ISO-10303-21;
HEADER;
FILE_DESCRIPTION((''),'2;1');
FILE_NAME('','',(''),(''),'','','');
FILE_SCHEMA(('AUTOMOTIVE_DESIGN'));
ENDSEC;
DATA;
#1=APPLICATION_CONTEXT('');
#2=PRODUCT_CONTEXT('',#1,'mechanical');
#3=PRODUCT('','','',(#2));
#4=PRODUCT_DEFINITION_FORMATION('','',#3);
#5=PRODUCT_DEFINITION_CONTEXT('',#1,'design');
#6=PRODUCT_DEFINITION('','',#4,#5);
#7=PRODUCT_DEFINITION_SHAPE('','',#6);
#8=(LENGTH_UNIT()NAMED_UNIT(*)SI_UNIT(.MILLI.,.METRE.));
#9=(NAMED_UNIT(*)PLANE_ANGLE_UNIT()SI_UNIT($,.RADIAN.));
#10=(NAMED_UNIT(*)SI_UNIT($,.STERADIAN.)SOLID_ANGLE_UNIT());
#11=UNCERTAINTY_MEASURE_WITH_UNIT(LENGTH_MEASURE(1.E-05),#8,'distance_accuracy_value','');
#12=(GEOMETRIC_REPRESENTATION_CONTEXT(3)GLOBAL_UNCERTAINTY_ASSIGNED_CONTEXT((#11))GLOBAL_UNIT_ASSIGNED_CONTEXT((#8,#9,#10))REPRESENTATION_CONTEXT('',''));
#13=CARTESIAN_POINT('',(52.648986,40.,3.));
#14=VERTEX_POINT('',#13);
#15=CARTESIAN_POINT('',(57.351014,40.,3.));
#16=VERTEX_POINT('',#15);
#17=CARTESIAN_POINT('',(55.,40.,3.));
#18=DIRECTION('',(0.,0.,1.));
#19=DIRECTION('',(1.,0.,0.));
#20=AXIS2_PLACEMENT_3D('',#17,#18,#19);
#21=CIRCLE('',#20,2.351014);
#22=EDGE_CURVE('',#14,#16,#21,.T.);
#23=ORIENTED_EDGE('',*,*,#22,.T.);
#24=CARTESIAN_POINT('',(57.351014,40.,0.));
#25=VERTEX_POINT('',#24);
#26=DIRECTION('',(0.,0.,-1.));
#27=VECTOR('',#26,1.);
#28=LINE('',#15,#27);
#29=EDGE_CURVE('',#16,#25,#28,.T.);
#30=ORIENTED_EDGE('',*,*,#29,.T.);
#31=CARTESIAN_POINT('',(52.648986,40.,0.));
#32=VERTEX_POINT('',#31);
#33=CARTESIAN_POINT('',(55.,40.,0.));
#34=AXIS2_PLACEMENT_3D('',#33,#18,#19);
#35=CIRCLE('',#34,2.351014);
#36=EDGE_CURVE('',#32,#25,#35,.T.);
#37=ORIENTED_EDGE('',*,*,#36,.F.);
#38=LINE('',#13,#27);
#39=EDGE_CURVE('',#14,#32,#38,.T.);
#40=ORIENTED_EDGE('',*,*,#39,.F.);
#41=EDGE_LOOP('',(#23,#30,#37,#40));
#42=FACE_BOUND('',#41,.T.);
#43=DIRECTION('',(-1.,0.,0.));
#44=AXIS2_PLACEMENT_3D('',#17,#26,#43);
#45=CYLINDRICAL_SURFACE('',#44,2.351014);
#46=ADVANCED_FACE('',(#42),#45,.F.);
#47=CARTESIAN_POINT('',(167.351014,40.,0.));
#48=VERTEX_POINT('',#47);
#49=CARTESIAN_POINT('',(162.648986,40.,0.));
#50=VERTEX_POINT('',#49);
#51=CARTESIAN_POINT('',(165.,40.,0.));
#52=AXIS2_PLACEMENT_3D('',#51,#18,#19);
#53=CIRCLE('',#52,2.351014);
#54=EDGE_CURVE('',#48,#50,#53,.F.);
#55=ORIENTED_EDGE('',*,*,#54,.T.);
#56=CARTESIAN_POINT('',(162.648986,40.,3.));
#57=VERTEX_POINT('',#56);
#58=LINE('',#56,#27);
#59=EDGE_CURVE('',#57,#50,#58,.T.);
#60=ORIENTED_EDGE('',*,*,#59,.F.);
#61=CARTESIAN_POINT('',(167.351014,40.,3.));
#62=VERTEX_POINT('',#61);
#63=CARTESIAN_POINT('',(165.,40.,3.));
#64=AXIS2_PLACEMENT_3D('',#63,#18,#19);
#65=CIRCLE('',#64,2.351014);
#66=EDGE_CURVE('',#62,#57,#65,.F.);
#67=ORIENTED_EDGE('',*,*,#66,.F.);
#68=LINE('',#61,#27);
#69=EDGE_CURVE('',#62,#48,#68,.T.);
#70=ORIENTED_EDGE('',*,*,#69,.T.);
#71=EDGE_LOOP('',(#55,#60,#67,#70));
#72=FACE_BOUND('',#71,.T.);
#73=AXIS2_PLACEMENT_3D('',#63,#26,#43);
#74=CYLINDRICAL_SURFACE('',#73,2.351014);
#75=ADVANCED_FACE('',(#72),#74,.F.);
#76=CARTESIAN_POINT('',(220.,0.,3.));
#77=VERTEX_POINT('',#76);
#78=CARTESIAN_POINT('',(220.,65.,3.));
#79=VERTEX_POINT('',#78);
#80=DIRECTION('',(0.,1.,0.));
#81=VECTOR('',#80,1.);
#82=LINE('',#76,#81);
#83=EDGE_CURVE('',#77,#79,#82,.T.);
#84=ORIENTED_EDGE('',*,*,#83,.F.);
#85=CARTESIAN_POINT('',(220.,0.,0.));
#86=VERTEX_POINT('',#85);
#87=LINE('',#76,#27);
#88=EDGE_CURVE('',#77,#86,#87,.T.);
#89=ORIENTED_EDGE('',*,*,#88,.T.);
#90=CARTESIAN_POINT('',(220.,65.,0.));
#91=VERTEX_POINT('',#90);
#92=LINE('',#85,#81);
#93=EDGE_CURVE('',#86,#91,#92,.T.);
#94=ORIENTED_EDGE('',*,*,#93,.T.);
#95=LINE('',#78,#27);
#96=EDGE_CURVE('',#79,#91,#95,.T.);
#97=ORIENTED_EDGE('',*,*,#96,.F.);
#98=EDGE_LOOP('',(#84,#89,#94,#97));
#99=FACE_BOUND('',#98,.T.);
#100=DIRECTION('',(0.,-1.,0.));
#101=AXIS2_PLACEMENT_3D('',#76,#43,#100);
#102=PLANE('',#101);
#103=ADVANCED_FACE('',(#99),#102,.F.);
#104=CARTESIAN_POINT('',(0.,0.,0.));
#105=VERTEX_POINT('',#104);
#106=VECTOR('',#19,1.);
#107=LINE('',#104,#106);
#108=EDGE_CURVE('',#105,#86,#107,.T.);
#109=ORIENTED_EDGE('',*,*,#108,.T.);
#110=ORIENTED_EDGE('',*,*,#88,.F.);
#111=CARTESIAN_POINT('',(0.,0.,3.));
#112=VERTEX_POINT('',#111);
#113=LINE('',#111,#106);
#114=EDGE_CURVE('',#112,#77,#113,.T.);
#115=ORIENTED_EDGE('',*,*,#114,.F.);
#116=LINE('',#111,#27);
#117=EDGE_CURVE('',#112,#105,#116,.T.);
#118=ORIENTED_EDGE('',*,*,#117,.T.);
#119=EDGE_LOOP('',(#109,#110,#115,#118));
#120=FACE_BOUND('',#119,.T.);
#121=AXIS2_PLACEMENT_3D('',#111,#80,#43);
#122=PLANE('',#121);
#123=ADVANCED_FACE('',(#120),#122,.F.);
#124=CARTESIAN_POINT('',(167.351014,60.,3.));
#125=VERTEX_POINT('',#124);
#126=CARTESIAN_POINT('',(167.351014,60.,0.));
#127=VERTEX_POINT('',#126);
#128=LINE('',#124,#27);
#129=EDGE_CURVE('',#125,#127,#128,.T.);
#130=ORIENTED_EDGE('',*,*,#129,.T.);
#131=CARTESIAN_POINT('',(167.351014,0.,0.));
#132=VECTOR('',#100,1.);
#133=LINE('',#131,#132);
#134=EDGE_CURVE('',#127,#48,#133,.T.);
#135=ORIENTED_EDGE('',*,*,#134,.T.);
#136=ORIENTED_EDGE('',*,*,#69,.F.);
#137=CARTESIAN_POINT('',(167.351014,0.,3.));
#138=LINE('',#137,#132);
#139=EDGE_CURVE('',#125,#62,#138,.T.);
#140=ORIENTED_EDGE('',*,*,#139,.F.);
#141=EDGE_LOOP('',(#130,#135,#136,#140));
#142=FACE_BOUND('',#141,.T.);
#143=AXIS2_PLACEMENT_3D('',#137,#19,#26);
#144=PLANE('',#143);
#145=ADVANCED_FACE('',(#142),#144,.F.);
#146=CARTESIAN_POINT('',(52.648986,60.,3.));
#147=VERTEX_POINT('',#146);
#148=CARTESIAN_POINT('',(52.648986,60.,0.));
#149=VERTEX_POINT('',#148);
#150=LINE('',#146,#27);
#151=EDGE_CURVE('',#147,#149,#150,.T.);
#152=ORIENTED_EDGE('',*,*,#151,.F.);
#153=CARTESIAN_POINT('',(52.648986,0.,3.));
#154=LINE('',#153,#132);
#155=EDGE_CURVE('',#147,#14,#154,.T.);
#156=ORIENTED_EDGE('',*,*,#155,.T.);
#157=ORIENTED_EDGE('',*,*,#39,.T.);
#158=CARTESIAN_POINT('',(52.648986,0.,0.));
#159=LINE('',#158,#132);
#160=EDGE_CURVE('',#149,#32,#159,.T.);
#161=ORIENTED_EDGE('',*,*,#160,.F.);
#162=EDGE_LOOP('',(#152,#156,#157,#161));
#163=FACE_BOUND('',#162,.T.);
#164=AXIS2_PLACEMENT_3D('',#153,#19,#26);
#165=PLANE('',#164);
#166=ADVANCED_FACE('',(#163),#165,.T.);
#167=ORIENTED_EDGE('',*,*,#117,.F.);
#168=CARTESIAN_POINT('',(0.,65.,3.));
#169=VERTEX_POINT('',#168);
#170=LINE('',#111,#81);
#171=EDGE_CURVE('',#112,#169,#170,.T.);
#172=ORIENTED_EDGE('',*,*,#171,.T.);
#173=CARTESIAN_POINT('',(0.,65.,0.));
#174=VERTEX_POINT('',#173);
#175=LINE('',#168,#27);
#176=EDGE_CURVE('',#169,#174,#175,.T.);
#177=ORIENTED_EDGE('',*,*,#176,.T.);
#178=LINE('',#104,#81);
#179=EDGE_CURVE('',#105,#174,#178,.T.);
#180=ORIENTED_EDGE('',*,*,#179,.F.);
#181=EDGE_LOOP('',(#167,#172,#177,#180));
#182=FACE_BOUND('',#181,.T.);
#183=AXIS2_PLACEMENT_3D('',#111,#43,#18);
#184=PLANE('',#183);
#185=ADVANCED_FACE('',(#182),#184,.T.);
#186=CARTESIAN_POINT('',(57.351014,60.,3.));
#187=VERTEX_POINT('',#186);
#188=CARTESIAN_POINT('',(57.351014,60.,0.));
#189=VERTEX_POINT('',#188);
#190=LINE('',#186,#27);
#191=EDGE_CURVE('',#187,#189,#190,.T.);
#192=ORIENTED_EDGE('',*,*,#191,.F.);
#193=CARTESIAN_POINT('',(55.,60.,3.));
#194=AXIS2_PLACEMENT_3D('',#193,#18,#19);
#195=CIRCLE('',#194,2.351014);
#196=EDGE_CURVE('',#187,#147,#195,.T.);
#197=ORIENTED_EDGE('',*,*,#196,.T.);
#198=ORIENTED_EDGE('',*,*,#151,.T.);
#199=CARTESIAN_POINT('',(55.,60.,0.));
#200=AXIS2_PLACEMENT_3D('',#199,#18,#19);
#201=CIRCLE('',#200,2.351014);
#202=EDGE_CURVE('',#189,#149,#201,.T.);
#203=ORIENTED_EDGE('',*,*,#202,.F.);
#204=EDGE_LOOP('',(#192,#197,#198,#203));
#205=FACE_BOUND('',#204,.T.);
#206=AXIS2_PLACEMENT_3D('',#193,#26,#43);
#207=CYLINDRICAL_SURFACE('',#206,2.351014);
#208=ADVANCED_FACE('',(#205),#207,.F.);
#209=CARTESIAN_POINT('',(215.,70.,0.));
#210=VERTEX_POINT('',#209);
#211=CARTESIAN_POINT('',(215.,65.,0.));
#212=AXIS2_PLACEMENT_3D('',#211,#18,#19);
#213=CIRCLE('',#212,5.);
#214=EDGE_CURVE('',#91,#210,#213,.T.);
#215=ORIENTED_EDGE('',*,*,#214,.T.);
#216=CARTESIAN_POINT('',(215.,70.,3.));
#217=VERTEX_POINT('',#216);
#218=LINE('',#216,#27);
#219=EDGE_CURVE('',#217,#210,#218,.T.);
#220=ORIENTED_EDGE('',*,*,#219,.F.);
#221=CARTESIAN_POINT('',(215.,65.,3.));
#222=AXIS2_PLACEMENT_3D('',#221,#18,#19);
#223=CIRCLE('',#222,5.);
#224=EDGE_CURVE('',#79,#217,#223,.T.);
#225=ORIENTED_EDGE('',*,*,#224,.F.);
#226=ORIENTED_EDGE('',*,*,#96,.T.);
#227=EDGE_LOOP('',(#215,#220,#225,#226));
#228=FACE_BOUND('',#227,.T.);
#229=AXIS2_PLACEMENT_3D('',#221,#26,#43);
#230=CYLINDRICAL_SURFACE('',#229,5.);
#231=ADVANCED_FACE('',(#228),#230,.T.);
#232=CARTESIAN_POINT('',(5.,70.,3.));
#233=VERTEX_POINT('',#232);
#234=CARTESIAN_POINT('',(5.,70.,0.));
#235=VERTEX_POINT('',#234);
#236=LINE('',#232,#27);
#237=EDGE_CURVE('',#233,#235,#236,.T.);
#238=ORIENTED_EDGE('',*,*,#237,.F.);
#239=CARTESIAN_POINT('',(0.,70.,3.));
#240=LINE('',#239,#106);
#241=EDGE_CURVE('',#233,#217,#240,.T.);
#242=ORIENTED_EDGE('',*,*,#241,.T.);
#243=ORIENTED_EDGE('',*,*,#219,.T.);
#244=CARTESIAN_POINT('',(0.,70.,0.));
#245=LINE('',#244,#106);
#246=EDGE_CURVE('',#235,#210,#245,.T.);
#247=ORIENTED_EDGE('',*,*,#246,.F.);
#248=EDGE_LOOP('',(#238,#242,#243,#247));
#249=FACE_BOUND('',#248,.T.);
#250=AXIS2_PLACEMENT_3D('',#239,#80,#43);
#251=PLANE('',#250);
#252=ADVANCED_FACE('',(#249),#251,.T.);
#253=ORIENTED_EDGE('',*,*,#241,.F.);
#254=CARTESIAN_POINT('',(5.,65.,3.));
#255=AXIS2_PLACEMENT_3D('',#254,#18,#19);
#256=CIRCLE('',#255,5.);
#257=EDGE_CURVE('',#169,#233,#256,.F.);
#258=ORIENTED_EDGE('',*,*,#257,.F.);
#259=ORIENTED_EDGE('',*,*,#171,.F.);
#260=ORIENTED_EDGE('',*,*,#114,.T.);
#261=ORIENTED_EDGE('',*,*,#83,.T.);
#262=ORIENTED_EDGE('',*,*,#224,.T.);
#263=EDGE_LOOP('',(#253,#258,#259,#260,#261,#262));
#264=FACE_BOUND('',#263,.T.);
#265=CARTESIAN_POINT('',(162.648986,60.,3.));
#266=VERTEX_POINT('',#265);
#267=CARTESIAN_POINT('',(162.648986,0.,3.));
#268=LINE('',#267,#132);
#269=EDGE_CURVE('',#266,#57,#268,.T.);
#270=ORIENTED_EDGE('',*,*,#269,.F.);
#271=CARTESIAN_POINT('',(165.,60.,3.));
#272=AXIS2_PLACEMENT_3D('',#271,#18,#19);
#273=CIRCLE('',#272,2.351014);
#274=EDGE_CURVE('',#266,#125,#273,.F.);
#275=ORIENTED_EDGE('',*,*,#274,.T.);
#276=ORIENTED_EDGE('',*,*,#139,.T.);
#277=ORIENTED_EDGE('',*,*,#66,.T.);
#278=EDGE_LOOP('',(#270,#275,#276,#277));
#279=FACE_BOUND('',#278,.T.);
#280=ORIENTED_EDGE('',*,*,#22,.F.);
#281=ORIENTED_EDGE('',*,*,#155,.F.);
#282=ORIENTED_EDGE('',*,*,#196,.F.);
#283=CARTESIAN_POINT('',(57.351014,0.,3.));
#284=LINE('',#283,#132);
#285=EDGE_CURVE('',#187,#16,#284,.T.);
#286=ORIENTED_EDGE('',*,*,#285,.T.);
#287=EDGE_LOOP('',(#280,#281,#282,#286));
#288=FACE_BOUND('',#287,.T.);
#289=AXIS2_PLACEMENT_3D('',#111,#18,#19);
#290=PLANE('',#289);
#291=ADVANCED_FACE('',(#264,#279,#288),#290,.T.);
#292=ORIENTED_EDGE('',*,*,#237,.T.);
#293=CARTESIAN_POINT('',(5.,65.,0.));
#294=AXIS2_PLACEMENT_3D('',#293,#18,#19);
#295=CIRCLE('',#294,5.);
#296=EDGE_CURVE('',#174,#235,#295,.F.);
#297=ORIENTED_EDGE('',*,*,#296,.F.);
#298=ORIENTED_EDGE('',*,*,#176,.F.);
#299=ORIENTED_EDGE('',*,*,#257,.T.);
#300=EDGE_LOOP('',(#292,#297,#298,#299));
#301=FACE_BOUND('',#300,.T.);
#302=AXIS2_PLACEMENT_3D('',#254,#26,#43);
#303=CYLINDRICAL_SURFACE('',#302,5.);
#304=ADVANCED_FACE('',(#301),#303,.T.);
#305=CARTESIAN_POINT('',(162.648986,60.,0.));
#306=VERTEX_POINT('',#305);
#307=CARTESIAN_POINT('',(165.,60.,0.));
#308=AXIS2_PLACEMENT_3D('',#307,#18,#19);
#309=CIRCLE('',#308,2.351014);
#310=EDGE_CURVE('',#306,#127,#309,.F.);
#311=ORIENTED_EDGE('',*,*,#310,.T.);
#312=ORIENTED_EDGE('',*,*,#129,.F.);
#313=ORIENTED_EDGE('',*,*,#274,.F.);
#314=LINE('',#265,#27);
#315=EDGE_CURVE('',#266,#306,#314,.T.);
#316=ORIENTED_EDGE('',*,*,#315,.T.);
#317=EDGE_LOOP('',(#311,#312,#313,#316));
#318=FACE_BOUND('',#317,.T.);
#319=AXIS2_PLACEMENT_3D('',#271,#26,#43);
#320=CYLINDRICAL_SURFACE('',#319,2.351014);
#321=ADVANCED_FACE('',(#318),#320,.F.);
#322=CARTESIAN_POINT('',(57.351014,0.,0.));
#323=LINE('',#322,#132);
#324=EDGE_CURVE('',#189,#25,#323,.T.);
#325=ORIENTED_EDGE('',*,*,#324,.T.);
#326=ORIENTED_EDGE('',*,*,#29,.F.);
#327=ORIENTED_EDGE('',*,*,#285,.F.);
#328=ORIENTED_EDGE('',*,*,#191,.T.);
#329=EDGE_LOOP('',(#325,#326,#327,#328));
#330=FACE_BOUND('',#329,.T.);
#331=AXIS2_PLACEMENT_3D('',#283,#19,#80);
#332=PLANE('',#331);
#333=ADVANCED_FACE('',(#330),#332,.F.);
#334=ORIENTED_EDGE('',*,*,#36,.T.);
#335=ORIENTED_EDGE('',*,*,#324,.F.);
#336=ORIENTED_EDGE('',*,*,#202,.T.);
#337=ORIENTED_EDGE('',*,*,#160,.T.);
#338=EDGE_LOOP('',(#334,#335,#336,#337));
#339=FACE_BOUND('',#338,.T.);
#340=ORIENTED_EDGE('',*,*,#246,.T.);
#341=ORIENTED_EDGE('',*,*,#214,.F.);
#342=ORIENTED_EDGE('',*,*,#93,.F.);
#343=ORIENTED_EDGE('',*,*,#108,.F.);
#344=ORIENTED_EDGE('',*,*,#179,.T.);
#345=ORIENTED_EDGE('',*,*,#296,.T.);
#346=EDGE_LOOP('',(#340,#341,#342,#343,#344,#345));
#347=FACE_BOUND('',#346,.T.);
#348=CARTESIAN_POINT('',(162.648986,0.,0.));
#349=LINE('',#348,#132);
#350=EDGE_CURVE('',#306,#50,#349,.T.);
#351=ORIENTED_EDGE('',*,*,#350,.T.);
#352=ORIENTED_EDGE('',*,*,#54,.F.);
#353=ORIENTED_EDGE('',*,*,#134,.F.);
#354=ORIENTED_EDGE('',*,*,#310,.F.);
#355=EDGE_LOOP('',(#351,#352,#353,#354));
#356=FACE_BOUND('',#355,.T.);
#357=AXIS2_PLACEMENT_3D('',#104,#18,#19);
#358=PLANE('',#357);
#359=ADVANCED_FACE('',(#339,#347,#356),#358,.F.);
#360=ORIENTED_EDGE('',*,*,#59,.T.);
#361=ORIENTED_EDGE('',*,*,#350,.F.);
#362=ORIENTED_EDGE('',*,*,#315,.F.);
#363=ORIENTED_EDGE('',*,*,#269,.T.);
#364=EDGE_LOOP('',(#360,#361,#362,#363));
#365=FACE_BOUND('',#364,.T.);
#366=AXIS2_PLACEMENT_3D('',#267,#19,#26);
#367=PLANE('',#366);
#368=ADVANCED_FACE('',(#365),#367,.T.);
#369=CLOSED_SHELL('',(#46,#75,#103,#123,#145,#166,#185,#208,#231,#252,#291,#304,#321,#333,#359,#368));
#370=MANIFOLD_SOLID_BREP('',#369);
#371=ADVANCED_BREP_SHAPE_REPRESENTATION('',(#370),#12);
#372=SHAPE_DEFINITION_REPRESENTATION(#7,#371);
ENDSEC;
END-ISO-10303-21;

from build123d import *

# Parameters (mm, degrees)
EXTRUDE_1_DEPTH = 3


with BuildPart() as part:
    # 草图1 → 凸台-拉伸1 (new body)
    with BuildSketch(Plane.XY):
        with BuildLine():
            Line((0, 0), (220, 0))
            Line((220, 0), (220, 65))
            ThreePointArc((220, 65), (218.535533906, 68.535533906), (215, 70))
            Line((215, 70), (5, 70))
            ThreePointArc((5, 70), (1.464466094, 68.535533906), (0, 65))
            Line((0, 65), (0, 0))
        make_face()
        with BuildLine():
            Line((52.648985665, 60), (52.648985665, 40))
            ThreePointArc((52.648985665, 40), (55, 37.648985665), (57.351014335, 40))
            Line((57.351014335, 40), (57.351014335, 60))
            ThreePointArc((57.351014335, 60), (55, 62.351014335), (52.648985665, 60))
        make_face(mode=Mode.SUBTRACT)
        with BuildLine():
            Line((162.648985665, 60), (162.648985665, 40))
            ThreePointArc((162.648985665, 40), (165, 37.648985665), (167.351014335, 40))
            Line((167.351014335, 40), (167.351014335, 60))
            ThreePointArc((167.351014335, 60), (165, 62.351014335), (162.648985665, 60))
        make_face(mode=Mode.SUBTRACT)
    extrude(amount=EXTRUDE_1_DEPTH)


solid = part.part
